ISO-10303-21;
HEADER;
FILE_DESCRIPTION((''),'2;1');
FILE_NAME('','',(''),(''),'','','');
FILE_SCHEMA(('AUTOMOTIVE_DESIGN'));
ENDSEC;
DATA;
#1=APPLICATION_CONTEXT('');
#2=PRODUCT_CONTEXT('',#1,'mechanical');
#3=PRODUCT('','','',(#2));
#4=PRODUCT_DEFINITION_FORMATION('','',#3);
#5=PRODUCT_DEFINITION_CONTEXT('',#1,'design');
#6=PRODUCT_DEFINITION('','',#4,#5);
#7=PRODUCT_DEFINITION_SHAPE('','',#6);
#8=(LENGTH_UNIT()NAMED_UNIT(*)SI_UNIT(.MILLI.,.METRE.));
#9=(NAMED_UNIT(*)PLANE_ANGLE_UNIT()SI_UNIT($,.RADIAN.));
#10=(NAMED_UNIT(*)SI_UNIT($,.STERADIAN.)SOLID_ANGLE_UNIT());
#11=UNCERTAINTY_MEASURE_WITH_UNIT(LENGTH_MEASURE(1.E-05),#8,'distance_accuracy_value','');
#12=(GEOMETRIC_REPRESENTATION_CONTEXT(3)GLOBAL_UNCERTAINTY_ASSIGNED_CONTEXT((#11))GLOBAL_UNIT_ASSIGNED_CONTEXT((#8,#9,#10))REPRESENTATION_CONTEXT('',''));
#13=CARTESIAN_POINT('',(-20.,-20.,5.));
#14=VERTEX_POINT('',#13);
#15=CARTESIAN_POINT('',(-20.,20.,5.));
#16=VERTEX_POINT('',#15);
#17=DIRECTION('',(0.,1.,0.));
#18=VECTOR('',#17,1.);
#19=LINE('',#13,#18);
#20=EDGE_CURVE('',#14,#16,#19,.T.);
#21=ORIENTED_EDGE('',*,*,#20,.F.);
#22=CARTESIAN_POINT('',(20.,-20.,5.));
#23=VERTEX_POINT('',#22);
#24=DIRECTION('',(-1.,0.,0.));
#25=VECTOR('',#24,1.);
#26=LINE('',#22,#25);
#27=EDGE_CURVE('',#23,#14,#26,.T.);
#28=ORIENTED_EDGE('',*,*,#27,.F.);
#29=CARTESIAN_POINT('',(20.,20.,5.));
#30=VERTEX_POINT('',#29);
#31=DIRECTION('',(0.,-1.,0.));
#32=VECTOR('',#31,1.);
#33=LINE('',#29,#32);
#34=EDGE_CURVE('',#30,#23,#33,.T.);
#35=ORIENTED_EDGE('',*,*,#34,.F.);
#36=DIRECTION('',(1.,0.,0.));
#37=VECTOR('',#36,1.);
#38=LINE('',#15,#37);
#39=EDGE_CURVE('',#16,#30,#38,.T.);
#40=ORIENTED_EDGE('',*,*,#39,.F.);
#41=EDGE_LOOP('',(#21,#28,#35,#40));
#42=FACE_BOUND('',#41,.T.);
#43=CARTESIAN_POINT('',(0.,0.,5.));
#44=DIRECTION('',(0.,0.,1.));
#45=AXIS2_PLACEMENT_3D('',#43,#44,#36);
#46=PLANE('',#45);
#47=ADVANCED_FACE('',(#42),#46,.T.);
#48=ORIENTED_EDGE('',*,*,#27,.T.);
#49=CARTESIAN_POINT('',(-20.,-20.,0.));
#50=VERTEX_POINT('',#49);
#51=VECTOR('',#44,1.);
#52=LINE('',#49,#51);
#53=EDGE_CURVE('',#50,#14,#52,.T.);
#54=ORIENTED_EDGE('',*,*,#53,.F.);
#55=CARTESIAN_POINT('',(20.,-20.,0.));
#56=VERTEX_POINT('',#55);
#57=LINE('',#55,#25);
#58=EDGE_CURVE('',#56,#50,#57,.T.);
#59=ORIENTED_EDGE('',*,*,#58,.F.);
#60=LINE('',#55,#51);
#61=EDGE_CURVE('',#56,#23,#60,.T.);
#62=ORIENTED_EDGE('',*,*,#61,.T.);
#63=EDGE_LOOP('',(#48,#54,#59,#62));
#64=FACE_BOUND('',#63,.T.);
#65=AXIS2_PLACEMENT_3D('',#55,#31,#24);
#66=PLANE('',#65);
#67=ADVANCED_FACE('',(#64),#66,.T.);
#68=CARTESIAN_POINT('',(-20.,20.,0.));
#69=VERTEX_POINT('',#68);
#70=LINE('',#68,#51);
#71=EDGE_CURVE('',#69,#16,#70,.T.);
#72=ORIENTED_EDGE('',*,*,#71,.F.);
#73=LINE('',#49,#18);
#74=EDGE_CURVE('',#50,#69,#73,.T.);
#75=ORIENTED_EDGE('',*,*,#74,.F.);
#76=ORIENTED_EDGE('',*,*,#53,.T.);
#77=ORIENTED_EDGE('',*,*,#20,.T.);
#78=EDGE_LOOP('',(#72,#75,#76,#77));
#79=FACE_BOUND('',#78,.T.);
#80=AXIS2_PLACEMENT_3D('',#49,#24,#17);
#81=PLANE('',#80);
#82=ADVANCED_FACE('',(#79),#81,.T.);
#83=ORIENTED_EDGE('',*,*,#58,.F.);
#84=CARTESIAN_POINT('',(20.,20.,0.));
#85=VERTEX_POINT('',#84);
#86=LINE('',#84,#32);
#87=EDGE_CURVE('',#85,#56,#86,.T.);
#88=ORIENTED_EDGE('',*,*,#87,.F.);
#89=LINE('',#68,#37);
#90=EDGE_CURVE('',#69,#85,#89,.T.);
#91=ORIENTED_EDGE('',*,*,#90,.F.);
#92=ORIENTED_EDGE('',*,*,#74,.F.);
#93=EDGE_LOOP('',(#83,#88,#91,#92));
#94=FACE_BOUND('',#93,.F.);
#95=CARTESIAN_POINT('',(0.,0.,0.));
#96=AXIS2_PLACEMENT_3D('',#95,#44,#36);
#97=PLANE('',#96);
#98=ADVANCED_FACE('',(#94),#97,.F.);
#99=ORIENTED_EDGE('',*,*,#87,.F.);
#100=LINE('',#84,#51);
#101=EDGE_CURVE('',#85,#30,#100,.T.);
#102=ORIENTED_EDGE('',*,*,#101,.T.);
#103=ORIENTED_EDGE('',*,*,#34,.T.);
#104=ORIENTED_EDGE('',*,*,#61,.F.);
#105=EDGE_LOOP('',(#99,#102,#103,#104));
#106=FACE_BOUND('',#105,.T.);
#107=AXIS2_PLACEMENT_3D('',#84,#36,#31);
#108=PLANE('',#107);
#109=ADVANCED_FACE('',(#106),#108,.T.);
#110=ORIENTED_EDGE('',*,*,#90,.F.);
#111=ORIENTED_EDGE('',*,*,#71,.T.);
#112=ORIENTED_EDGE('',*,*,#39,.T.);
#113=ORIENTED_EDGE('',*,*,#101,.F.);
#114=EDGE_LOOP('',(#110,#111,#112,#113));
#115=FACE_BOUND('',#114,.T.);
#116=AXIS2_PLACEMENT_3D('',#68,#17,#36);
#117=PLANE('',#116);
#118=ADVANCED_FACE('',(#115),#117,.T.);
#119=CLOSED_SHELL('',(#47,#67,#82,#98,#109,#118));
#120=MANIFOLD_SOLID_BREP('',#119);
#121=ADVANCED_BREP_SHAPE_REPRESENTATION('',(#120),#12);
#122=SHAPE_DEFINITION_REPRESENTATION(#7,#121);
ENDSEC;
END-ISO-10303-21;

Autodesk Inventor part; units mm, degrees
ref_plane "YZ Plane" through (0, 0, 0) normal (1, 0, 0) x (0, 1, 0)
ref_plane "XZ Plane" through (0, 0, 0) normal (0, 1, 0) x (-1, 0, 0)
ref_plane "XY Plane" through (0, 0, 0) normal (0, 0, 1) x (1, 0, 0)
sketch "Sketch1" plane through (0, 0, 0) normal (0, 0, 1) x (1, 0, 0)
  line L0 (-20, 20) -> (20, 20)
  line L1 (20, 20) -> (20, -20)
  line L2 (20, -20) -> (-20, -20)
  line L3 (-20, -20) -> (-20, 20)
  point P0 (0, 0)
  dimension "d1" = 20
  dimension "d2" = 40
  dimension "d3" = 40
  dimension "d4" = 20
extrude "Extrusion1" add sketch "Sketch1" along normal blind 5
properties part number "al"
